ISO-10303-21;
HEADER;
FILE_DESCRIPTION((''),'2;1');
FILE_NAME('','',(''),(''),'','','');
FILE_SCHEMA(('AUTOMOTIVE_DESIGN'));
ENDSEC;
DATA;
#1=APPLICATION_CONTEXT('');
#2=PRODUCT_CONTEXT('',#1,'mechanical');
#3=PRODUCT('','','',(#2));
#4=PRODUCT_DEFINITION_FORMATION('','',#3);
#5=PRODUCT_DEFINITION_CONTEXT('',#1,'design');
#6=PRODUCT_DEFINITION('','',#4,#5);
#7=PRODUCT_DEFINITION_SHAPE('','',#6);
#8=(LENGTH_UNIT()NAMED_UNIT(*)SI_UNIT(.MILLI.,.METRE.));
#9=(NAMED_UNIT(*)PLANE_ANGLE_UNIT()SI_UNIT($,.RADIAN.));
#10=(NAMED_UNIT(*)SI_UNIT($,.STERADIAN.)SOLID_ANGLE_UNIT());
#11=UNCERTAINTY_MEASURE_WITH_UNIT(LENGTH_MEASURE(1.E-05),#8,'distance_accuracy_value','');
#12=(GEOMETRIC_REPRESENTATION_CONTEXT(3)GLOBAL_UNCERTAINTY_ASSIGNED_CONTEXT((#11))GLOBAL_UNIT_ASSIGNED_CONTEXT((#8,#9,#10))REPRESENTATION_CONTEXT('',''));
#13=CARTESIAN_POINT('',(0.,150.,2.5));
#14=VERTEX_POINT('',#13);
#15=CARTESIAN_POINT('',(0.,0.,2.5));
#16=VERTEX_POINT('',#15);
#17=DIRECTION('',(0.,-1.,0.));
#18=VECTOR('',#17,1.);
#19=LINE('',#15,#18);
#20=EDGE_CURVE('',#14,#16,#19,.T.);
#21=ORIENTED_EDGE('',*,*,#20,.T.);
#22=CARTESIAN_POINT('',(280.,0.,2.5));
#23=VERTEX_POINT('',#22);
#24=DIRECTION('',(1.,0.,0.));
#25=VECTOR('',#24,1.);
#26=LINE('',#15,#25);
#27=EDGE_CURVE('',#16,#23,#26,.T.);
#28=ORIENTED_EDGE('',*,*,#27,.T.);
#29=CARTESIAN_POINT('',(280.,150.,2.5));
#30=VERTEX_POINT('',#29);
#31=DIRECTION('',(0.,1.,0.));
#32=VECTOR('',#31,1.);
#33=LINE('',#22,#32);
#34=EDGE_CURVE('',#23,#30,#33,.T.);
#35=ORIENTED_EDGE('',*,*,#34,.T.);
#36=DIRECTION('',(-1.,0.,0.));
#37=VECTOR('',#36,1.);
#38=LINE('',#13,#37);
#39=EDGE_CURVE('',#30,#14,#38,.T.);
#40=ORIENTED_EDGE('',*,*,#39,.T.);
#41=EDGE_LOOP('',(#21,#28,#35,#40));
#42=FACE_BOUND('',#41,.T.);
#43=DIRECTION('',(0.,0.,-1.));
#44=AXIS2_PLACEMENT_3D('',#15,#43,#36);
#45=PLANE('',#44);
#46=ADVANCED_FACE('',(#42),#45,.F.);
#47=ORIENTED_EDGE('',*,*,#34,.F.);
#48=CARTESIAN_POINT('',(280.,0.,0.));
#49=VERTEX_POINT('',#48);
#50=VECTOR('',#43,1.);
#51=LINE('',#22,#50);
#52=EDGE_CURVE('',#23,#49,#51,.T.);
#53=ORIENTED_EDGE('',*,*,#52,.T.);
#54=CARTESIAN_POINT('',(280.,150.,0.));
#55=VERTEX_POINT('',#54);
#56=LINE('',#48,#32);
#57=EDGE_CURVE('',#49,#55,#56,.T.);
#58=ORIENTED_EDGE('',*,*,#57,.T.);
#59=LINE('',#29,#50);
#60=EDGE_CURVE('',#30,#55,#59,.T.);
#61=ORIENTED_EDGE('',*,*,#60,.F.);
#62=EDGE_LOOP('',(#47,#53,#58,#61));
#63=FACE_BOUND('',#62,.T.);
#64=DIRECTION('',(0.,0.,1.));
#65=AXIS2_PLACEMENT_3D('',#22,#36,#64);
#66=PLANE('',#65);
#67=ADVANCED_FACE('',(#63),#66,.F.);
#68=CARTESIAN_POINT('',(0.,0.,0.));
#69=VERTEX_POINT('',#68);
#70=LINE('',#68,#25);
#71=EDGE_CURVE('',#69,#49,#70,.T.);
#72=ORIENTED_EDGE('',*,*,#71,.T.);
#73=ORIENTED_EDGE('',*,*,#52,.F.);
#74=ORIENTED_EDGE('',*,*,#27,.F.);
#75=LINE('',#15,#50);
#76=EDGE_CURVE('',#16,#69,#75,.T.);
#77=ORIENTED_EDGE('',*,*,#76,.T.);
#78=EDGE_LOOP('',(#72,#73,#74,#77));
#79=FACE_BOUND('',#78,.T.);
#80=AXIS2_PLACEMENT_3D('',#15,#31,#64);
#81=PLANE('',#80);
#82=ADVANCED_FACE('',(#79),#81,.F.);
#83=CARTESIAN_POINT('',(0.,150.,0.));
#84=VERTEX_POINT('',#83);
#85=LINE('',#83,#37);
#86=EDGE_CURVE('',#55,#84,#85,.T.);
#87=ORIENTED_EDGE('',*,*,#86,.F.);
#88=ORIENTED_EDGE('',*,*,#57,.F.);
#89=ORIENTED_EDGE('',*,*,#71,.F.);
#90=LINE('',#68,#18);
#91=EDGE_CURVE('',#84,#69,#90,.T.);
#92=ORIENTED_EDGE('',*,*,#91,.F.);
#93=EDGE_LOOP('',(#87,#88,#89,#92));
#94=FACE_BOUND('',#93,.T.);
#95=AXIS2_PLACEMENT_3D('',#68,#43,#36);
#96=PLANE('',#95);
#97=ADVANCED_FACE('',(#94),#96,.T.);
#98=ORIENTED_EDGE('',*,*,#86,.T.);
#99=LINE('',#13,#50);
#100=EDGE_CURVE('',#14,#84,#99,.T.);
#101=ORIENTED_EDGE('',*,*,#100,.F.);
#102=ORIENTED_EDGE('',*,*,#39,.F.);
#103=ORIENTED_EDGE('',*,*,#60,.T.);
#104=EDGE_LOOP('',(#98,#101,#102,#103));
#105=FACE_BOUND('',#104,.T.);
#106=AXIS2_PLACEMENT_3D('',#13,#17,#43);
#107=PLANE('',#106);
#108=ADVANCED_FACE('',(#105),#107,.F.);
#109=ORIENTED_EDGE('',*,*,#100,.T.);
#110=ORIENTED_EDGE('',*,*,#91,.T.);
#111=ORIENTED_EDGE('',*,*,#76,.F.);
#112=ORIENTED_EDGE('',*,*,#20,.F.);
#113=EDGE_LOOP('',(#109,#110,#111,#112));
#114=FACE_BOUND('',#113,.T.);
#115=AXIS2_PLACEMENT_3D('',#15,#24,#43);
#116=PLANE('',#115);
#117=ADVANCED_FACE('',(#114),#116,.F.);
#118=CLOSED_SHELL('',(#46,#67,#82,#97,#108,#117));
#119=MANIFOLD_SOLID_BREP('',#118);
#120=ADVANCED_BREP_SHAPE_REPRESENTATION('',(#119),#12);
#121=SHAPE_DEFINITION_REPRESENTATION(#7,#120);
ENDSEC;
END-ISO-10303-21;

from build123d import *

# Parameters (mm, degrees)
SCHIZZO1_W                   = 280
SCHIZZO1_H                   = 150
ESTRUSIONE_ESTRUSIONE1_DEPTH = 2.5


with BuildPart() as part:
    # Schizzo1 → Estrusione-Estrusione1 (new body)
    with BuildSketch(Plane.XY):
        with Locations((140, 75)):
            Rectangle(SCHIZZO1_W, SCHIZZO1_H)
    extrude(amount=ESTRUSIONE_ESTRUSIONE1_DEPTH)


solid = part.part
